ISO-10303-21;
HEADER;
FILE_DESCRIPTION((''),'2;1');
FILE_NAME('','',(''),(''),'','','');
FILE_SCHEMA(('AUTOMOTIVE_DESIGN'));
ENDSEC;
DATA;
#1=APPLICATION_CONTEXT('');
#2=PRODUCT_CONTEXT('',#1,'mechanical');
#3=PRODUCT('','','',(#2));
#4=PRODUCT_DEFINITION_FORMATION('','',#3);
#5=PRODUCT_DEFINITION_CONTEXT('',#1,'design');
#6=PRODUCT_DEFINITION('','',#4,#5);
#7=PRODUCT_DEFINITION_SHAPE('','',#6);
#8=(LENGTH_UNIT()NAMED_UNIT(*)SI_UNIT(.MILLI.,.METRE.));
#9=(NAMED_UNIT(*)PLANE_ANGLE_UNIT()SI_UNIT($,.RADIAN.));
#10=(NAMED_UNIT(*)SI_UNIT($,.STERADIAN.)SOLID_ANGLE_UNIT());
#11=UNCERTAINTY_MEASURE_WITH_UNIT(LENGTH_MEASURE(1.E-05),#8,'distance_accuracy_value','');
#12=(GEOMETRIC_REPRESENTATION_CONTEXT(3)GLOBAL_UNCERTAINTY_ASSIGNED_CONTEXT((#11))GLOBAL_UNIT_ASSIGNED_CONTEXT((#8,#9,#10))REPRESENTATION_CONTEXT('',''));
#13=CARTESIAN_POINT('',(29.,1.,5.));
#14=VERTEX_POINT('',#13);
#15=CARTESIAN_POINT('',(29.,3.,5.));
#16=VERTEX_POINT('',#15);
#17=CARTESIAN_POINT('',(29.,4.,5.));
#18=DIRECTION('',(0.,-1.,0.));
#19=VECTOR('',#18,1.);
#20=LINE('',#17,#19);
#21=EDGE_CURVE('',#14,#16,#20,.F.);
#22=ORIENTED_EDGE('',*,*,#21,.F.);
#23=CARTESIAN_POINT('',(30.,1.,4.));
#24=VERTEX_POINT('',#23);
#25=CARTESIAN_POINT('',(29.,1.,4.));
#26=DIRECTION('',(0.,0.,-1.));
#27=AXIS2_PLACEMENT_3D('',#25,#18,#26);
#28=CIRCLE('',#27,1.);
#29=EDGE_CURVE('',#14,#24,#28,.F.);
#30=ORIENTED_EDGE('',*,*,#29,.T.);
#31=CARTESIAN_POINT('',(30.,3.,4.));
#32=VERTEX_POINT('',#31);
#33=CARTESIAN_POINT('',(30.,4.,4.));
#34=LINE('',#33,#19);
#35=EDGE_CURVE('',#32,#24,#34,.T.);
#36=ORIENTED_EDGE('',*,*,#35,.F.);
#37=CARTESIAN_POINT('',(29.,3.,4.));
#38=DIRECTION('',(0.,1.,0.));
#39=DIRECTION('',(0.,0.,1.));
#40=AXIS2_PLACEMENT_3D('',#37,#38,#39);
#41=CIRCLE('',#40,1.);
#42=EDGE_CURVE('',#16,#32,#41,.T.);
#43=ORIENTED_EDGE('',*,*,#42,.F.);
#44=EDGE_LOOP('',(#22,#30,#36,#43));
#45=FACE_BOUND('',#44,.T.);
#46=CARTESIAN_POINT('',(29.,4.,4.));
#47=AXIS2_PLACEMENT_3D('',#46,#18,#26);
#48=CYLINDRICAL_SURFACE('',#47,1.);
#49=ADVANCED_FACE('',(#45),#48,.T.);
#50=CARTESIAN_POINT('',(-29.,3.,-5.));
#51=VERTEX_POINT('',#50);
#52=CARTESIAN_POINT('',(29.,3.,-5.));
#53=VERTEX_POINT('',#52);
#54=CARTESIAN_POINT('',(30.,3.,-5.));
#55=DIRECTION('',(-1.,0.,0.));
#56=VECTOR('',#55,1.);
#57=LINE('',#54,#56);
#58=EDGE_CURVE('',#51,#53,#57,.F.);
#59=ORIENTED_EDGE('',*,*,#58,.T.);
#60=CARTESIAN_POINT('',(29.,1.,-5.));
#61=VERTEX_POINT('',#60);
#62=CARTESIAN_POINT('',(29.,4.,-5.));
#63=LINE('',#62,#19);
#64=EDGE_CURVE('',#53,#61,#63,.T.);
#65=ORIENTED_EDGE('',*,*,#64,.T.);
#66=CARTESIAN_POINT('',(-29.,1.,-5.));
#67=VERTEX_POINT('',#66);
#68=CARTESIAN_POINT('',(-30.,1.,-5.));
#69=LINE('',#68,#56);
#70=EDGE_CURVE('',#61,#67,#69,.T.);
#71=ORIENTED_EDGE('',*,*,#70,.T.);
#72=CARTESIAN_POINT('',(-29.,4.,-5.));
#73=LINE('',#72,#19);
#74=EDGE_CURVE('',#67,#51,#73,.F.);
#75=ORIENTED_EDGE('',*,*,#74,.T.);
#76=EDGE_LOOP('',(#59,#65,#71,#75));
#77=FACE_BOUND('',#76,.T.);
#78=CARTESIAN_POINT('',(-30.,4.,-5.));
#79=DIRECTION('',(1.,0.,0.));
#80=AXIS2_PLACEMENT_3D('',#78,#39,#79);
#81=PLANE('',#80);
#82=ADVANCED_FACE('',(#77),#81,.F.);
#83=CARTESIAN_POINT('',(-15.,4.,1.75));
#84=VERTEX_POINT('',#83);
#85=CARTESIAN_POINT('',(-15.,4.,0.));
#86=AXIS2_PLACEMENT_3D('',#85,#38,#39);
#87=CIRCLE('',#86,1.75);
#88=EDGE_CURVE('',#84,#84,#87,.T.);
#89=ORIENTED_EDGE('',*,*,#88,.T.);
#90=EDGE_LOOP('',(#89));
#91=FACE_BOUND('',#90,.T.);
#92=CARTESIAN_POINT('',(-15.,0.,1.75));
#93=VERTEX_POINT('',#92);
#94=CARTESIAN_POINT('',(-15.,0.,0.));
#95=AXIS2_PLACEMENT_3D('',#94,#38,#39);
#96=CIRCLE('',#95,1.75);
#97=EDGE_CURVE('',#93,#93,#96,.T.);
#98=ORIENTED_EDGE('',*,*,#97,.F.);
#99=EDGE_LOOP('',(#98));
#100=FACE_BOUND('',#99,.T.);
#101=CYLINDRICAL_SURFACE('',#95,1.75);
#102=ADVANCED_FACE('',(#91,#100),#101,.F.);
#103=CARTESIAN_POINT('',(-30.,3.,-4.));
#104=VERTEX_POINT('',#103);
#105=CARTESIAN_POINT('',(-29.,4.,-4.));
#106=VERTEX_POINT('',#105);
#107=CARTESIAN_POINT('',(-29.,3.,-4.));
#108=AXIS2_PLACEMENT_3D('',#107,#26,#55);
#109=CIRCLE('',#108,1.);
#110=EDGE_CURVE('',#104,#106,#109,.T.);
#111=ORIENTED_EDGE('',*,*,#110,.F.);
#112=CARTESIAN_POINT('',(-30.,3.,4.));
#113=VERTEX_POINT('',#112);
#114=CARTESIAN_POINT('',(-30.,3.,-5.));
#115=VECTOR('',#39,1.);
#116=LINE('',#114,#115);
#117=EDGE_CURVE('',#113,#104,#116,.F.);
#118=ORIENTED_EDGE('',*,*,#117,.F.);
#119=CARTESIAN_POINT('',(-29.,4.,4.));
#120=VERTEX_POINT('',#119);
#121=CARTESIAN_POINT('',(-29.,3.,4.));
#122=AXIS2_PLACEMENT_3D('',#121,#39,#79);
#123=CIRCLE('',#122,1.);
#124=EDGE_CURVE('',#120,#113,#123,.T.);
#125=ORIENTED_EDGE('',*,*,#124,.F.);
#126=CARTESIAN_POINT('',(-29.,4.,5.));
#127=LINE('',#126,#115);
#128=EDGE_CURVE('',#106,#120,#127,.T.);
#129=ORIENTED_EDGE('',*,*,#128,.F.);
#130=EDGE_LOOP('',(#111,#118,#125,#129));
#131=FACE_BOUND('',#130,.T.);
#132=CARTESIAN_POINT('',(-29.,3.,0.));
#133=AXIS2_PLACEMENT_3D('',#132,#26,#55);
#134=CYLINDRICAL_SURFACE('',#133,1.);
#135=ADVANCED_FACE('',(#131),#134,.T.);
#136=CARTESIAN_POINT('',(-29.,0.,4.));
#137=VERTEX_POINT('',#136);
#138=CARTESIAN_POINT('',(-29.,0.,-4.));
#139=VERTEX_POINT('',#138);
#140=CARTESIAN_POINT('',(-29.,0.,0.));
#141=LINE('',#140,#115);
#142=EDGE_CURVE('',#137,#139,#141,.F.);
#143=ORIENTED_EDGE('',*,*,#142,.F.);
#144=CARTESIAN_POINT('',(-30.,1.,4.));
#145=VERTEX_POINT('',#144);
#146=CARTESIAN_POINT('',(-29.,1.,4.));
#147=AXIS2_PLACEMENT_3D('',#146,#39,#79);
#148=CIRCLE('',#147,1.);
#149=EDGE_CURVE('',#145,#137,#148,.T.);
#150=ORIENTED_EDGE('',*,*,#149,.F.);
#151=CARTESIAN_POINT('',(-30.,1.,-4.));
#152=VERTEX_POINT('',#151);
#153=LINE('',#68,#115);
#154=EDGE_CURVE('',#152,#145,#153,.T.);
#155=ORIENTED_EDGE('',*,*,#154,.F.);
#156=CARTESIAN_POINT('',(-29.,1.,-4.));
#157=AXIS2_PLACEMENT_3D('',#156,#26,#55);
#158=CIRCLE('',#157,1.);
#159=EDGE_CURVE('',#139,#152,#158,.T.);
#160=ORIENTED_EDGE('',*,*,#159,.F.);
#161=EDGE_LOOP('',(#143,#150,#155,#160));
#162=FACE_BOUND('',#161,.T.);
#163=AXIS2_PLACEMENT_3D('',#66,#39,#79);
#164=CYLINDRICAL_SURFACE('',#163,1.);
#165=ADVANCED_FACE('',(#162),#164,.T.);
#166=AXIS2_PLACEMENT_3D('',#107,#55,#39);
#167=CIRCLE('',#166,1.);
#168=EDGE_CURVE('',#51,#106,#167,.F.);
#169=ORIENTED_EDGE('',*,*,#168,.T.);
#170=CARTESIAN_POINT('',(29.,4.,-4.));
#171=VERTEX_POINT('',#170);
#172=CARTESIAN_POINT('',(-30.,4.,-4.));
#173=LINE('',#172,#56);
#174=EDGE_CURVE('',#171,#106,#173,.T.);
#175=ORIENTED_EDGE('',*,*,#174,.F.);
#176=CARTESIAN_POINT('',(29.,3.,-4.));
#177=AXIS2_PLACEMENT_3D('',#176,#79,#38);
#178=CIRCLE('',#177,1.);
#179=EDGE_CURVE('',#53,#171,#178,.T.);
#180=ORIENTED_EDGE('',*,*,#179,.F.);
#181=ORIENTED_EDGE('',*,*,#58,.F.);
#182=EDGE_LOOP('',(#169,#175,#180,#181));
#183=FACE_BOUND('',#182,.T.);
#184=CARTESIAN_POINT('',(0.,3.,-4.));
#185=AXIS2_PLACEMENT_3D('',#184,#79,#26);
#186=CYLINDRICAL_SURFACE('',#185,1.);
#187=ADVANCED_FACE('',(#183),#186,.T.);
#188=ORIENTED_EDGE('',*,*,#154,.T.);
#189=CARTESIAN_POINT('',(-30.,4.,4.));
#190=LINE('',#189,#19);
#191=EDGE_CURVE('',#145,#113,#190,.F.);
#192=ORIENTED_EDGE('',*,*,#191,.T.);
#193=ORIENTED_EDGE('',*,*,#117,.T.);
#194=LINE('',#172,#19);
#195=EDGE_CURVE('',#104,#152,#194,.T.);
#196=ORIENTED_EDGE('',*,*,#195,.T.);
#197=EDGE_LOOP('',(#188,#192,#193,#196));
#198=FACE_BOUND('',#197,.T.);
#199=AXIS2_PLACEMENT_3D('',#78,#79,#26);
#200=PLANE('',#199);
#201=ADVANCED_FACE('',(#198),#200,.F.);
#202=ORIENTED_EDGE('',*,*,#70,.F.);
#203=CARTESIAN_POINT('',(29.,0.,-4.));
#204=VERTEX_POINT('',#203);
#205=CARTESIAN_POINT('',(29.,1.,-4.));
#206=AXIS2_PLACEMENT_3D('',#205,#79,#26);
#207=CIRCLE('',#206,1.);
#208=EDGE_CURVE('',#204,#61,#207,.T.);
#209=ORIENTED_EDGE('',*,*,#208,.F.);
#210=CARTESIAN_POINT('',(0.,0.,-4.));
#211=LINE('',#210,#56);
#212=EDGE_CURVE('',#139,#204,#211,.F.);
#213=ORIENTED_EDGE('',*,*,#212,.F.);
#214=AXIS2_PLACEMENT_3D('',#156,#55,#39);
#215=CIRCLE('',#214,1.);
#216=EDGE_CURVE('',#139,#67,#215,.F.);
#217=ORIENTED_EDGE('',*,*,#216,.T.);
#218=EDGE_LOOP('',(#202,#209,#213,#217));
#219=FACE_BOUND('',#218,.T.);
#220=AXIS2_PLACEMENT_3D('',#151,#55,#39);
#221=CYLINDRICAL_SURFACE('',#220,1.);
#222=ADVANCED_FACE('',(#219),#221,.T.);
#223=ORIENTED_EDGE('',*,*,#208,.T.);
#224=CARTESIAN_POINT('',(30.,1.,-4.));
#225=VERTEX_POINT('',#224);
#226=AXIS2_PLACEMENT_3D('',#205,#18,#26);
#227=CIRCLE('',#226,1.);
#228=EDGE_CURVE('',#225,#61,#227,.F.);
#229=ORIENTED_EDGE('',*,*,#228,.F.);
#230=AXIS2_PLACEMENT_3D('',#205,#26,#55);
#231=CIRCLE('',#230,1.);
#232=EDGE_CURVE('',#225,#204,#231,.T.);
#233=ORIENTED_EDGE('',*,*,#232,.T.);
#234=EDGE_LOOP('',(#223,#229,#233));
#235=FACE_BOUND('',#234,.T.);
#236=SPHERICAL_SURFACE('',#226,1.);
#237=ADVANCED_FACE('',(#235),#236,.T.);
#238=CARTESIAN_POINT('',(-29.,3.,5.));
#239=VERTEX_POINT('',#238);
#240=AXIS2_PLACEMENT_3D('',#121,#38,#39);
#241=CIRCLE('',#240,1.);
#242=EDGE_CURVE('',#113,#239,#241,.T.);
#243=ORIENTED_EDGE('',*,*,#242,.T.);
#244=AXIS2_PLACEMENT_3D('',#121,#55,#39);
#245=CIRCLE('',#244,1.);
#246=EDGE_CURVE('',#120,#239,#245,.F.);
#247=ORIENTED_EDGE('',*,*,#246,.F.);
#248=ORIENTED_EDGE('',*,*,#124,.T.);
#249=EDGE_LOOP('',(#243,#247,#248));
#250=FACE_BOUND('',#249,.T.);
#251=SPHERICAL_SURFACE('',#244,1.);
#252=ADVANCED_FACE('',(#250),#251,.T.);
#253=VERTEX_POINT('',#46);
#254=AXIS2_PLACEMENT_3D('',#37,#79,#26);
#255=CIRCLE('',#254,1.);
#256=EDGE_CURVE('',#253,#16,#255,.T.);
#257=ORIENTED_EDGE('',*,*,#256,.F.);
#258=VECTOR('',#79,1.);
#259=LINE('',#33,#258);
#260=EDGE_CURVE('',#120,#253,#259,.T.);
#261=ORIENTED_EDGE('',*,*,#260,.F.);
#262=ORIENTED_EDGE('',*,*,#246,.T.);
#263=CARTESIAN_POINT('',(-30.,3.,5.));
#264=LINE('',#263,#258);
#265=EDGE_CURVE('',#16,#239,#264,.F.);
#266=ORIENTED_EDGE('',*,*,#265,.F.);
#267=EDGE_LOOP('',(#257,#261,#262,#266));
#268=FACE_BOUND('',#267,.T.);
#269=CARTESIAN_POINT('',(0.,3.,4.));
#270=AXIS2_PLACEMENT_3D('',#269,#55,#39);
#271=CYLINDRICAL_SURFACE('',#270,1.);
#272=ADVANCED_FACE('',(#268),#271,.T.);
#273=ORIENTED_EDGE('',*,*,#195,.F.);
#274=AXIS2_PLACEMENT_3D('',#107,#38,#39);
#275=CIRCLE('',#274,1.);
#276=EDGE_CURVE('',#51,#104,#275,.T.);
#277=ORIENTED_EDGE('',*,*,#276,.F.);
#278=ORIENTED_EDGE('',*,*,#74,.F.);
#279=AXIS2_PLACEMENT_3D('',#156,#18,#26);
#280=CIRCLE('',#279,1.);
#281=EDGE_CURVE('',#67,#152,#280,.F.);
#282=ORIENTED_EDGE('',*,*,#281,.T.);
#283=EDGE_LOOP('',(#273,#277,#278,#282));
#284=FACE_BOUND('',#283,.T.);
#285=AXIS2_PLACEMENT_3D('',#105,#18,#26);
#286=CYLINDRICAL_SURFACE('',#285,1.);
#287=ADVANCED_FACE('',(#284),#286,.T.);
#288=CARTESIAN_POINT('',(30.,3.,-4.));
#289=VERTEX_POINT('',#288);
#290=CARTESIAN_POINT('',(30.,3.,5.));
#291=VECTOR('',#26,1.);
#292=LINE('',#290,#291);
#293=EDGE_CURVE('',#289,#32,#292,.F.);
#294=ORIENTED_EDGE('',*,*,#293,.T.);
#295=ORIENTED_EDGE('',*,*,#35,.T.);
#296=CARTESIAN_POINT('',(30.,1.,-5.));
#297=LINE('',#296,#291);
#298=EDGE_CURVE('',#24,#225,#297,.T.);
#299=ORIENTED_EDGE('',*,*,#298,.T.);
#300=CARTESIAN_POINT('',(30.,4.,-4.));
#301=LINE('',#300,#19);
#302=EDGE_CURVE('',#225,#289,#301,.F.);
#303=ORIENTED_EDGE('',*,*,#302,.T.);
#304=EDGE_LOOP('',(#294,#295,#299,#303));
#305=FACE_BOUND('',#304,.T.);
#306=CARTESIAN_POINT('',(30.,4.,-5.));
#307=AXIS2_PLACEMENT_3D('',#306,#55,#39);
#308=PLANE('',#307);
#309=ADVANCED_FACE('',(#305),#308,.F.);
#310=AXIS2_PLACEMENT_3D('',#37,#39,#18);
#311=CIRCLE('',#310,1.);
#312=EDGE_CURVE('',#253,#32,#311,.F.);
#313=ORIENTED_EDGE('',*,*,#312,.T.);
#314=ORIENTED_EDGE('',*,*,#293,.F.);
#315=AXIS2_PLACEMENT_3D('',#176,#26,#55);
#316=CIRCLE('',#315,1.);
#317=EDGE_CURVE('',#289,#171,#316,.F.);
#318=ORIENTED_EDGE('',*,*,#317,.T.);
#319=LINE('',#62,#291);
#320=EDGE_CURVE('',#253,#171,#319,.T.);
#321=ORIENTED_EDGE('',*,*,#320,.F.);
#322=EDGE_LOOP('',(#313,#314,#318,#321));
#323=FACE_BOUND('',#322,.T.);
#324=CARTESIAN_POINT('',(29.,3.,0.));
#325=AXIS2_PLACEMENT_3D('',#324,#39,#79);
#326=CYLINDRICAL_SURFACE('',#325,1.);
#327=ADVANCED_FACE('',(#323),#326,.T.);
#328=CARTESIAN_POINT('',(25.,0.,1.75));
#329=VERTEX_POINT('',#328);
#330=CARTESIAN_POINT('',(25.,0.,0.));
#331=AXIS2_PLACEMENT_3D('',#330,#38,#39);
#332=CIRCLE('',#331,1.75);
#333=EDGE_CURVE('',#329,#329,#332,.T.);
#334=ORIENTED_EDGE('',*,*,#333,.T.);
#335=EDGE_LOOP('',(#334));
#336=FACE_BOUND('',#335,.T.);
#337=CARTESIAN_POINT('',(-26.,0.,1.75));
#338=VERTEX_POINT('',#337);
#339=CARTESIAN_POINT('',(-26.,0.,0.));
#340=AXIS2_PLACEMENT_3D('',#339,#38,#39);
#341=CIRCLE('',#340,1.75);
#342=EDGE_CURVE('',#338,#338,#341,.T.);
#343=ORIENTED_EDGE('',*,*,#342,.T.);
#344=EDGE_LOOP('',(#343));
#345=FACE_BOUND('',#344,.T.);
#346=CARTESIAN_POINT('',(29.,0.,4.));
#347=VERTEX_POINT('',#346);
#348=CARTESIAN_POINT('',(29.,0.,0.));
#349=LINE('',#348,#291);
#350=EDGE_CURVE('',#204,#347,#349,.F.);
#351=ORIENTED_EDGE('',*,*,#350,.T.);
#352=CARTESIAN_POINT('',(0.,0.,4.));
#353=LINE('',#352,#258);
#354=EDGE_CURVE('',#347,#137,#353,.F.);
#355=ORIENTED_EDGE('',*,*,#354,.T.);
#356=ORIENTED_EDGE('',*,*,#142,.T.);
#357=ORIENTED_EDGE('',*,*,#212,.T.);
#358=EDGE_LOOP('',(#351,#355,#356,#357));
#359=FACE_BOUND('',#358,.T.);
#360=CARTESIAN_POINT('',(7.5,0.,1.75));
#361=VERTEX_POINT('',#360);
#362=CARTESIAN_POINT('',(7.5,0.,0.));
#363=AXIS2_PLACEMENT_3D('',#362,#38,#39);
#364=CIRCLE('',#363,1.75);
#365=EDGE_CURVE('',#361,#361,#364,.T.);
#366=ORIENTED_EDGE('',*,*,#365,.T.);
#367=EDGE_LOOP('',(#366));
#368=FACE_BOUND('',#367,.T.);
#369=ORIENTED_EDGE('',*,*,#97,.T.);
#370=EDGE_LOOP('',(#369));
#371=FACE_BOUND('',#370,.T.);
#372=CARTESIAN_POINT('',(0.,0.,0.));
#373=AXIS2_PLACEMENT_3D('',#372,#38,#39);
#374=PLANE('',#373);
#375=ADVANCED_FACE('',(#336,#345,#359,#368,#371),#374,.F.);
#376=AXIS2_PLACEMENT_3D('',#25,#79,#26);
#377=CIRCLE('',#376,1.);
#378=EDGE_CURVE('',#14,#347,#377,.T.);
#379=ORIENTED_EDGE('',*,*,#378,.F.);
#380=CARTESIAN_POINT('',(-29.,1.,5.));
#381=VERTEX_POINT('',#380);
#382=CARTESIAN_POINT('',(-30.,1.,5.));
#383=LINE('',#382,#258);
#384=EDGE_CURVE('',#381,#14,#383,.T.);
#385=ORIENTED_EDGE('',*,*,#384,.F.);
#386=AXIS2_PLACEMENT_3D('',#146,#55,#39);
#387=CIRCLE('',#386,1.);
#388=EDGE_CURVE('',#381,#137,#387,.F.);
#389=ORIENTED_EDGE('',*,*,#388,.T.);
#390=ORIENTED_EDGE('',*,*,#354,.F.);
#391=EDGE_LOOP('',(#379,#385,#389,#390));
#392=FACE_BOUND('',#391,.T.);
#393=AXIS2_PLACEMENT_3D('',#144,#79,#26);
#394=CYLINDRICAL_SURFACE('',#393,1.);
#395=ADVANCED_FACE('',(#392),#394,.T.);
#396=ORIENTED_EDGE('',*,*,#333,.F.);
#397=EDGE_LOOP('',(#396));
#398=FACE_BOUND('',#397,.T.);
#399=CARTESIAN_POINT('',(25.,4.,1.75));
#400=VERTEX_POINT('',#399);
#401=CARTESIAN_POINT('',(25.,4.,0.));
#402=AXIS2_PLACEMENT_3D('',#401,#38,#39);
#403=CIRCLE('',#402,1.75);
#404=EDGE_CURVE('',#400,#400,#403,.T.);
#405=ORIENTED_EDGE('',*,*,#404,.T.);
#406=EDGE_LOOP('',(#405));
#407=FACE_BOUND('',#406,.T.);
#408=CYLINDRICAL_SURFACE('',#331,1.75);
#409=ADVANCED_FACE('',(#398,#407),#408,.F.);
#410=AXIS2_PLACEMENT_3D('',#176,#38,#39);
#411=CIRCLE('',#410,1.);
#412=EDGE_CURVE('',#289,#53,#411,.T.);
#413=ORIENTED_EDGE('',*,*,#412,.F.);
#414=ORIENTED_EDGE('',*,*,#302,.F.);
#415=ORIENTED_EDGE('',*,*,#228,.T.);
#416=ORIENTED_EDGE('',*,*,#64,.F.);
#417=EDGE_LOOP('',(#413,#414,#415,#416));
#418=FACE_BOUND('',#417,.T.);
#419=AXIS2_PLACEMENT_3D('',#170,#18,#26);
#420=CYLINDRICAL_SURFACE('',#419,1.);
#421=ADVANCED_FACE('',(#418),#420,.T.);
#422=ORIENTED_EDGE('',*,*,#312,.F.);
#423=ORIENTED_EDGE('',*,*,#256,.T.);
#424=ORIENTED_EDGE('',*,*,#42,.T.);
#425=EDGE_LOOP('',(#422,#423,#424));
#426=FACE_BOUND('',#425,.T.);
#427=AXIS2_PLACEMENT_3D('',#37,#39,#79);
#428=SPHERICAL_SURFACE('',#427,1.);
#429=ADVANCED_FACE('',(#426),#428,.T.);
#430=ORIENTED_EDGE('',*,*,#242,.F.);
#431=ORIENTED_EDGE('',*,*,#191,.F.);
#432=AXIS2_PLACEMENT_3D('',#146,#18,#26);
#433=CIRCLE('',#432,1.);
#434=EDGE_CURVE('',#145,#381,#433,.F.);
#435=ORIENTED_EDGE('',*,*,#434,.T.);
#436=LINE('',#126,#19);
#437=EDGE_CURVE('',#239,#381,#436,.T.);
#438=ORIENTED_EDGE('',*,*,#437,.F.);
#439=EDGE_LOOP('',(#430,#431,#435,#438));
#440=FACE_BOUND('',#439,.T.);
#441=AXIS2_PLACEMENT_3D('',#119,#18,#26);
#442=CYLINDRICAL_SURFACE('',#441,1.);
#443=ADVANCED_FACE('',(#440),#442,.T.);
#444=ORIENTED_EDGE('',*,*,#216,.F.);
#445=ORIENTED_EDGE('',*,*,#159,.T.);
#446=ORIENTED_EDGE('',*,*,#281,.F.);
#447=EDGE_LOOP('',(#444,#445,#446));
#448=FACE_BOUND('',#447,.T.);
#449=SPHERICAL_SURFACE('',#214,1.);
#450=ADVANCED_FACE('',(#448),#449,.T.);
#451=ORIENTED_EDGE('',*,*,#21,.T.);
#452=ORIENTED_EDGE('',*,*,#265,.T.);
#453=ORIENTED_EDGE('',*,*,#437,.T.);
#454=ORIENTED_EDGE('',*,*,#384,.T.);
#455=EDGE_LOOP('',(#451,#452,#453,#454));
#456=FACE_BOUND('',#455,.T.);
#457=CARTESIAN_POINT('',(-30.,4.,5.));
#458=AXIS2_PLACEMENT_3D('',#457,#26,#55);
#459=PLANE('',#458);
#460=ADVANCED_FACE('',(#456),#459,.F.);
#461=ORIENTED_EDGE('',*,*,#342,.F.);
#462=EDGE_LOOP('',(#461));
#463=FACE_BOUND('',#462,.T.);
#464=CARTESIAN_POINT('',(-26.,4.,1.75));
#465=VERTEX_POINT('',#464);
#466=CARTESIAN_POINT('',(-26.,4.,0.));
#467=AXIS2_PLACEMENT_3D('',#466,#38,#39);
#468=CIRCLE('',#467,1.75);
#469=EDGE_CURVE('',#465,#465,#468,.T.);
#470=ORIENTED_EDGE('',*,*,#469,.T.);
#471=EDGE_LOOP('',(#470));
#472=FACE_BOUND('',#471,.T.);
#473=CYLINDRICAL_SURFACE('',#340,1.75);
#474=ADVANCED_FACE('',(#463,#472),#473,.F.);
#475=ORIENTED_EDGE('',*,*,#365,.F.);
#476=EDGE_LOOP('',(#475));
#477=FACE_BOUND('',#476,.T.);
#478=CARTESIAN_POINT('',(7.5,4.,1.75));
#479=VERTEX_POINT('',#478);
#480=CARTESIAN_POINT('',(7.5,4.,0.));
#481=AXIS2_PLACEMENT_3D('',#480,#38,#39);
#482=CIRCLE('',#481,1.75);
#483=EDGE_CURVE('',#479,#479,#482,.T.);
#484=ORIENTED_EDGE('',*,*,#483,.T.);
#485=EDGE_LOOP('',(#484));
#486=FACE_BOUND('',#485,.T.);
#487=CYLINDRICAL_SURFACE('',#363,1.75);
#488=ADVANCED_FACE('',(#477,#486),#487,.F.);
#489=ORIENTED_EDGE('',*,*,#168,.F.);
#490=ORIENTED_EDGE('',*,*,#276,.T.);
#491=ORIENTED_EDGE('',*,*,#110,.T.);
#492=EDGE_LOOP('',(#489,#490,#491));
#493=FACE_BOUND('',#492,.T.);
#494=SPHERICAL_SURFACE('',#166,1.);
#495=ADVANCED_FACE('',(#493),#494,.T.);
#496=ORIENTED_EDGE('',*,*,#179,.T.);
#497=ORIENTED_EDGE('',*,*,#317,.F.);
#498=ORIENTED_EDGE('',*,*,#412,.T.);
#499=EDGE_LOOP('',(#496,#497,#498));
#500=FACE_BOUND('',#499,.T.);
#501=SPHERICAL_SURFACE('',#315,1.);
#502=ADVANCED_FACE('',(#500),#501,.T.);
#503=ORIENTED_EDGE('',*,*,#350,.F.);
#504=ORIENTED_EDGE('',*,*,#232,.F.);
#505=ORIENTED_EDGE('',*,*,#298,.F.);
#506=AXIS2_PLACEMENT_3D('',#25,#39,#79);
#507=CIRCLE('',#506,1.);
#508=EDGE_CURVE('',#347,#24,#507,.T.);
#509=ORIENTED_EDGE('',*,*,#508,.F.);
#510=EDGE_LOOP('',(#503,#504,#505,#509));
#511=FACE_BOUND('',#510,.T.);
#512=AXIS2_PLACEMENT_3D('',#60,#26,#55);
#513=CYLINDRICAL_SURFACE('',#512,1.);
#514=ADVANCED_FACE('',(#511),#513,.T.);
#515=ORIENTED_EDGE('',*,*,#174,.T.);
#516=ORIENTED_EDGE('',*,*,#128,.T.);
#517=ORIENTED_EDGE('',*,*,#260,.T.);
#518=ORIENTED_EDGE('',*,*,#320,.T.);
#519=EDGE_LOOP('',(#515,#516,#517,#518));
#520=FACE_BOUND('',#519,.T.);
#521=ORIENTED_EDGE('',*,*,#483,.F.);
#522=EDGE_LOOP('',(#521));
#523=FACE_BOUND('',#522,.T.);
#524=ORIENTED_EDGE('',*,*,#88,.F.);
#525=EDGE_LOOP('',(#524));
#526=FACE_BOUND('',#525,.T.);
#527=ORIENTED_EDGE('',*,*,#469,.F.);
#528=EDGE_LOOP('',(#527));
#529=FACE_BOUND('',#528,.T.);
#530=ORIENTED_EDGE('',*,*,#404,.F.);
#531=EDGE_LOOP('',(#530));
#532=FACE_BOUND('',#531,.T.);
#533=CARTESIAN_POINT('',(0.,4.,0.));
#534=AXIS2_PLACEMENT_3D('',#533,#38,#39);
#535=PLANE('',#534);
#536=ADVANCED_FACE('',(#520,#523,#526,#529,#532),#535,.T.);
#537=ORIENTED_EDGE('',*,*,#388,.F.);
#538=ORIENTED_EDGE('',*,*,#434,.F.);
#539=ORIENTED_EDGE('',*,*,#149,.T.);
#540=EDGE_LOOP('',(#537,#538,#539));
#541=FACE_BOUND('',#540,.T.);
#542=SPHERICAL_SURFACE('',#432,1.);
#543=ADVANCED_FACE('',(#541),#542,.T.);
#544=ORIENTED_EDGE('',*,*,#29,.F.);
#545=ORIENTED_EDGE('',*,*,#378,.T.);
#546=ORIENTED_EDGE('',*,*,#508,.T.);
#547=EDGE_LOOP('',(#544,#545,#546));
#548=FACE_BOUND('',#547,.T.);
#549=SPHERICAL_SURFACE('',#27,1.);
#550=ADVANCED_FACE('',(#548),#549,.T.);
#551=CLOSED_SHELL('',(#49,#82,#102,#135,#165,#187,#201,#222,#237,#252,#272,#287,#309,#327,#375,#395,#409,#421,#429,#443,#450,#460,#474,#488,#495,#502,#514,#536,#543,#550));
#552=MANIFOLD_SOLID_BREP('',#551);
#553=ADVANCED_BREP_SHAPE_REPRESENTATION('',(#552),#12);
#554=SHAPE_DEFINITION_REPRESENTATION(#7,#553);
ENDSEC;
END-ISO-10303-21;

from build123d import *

# Parameters (mm, degrees)
SKETCH1_W           = 60
SKETCH1_H           = 10
BOSS_EXTRUDE1_DEPTH = 4
SKETCH2_R           = 1.75
CUT_EXTRUDE1_DEPTH  = 4
FILLET1_R           = 1


with BuildPart() as part:
    # Sketch1 → Boss-Extrude1 (new body)
    with BuildSketch(Plane(origin=(0, 0, 0), x_dir=(1, 0, 0), z_dir=(0, 1, 0))):
        Rectangle(SKETCH1_W, SKETCH1_H)
    extrude(amount=BOSS_EXTRUDE1_DEPTH)

    # Sketch2 → Cut-Extrude1 (cut)
    with BuildSketch(Plane(origin=(0, 4, 0), x_dir=(1, 0, 0), z_dir=(0, 1, 0))):
        with Locations(Location((-26, 0, 0), (0, 0, 270))):
            Circle(SKETCH2_R)
        with Locations(Location((7.5, 0, 0), (0, 0, 270))):
            Circle(SKETCH2_R)
        with Locations(Location((25, 0, 0), (0, 0, 270))):
            Circle(SKETCH2_R)
        with Locations(Location((-15, 0, 0), (0, 0, 270))):
            Circle(SKETCH2_R)
    extrude(amount=-CUT_EXTRUDE1_DEPTH, mode=Mode.SUBTRACT)

    # Fillet1
    fillet1_edges = [part.edges().sort_by_distance(p)[0] for p in [
        (-30, 4, 0),
        (0, 4, 5),
        (30, 4, 0),
        (0, 0, 5),
        (-30, 0, 0),
        (0, 0, -5),
        (30, 0, 0),
        (30, 2, 5),
        (-30, 2, 5),
        (-30, 2, -5),
        (30, 2, -5),
        (0, 4, -5),
    ]]
    fillet(fillet1_edges, radius=FILLET1_R)


solid = part.part
